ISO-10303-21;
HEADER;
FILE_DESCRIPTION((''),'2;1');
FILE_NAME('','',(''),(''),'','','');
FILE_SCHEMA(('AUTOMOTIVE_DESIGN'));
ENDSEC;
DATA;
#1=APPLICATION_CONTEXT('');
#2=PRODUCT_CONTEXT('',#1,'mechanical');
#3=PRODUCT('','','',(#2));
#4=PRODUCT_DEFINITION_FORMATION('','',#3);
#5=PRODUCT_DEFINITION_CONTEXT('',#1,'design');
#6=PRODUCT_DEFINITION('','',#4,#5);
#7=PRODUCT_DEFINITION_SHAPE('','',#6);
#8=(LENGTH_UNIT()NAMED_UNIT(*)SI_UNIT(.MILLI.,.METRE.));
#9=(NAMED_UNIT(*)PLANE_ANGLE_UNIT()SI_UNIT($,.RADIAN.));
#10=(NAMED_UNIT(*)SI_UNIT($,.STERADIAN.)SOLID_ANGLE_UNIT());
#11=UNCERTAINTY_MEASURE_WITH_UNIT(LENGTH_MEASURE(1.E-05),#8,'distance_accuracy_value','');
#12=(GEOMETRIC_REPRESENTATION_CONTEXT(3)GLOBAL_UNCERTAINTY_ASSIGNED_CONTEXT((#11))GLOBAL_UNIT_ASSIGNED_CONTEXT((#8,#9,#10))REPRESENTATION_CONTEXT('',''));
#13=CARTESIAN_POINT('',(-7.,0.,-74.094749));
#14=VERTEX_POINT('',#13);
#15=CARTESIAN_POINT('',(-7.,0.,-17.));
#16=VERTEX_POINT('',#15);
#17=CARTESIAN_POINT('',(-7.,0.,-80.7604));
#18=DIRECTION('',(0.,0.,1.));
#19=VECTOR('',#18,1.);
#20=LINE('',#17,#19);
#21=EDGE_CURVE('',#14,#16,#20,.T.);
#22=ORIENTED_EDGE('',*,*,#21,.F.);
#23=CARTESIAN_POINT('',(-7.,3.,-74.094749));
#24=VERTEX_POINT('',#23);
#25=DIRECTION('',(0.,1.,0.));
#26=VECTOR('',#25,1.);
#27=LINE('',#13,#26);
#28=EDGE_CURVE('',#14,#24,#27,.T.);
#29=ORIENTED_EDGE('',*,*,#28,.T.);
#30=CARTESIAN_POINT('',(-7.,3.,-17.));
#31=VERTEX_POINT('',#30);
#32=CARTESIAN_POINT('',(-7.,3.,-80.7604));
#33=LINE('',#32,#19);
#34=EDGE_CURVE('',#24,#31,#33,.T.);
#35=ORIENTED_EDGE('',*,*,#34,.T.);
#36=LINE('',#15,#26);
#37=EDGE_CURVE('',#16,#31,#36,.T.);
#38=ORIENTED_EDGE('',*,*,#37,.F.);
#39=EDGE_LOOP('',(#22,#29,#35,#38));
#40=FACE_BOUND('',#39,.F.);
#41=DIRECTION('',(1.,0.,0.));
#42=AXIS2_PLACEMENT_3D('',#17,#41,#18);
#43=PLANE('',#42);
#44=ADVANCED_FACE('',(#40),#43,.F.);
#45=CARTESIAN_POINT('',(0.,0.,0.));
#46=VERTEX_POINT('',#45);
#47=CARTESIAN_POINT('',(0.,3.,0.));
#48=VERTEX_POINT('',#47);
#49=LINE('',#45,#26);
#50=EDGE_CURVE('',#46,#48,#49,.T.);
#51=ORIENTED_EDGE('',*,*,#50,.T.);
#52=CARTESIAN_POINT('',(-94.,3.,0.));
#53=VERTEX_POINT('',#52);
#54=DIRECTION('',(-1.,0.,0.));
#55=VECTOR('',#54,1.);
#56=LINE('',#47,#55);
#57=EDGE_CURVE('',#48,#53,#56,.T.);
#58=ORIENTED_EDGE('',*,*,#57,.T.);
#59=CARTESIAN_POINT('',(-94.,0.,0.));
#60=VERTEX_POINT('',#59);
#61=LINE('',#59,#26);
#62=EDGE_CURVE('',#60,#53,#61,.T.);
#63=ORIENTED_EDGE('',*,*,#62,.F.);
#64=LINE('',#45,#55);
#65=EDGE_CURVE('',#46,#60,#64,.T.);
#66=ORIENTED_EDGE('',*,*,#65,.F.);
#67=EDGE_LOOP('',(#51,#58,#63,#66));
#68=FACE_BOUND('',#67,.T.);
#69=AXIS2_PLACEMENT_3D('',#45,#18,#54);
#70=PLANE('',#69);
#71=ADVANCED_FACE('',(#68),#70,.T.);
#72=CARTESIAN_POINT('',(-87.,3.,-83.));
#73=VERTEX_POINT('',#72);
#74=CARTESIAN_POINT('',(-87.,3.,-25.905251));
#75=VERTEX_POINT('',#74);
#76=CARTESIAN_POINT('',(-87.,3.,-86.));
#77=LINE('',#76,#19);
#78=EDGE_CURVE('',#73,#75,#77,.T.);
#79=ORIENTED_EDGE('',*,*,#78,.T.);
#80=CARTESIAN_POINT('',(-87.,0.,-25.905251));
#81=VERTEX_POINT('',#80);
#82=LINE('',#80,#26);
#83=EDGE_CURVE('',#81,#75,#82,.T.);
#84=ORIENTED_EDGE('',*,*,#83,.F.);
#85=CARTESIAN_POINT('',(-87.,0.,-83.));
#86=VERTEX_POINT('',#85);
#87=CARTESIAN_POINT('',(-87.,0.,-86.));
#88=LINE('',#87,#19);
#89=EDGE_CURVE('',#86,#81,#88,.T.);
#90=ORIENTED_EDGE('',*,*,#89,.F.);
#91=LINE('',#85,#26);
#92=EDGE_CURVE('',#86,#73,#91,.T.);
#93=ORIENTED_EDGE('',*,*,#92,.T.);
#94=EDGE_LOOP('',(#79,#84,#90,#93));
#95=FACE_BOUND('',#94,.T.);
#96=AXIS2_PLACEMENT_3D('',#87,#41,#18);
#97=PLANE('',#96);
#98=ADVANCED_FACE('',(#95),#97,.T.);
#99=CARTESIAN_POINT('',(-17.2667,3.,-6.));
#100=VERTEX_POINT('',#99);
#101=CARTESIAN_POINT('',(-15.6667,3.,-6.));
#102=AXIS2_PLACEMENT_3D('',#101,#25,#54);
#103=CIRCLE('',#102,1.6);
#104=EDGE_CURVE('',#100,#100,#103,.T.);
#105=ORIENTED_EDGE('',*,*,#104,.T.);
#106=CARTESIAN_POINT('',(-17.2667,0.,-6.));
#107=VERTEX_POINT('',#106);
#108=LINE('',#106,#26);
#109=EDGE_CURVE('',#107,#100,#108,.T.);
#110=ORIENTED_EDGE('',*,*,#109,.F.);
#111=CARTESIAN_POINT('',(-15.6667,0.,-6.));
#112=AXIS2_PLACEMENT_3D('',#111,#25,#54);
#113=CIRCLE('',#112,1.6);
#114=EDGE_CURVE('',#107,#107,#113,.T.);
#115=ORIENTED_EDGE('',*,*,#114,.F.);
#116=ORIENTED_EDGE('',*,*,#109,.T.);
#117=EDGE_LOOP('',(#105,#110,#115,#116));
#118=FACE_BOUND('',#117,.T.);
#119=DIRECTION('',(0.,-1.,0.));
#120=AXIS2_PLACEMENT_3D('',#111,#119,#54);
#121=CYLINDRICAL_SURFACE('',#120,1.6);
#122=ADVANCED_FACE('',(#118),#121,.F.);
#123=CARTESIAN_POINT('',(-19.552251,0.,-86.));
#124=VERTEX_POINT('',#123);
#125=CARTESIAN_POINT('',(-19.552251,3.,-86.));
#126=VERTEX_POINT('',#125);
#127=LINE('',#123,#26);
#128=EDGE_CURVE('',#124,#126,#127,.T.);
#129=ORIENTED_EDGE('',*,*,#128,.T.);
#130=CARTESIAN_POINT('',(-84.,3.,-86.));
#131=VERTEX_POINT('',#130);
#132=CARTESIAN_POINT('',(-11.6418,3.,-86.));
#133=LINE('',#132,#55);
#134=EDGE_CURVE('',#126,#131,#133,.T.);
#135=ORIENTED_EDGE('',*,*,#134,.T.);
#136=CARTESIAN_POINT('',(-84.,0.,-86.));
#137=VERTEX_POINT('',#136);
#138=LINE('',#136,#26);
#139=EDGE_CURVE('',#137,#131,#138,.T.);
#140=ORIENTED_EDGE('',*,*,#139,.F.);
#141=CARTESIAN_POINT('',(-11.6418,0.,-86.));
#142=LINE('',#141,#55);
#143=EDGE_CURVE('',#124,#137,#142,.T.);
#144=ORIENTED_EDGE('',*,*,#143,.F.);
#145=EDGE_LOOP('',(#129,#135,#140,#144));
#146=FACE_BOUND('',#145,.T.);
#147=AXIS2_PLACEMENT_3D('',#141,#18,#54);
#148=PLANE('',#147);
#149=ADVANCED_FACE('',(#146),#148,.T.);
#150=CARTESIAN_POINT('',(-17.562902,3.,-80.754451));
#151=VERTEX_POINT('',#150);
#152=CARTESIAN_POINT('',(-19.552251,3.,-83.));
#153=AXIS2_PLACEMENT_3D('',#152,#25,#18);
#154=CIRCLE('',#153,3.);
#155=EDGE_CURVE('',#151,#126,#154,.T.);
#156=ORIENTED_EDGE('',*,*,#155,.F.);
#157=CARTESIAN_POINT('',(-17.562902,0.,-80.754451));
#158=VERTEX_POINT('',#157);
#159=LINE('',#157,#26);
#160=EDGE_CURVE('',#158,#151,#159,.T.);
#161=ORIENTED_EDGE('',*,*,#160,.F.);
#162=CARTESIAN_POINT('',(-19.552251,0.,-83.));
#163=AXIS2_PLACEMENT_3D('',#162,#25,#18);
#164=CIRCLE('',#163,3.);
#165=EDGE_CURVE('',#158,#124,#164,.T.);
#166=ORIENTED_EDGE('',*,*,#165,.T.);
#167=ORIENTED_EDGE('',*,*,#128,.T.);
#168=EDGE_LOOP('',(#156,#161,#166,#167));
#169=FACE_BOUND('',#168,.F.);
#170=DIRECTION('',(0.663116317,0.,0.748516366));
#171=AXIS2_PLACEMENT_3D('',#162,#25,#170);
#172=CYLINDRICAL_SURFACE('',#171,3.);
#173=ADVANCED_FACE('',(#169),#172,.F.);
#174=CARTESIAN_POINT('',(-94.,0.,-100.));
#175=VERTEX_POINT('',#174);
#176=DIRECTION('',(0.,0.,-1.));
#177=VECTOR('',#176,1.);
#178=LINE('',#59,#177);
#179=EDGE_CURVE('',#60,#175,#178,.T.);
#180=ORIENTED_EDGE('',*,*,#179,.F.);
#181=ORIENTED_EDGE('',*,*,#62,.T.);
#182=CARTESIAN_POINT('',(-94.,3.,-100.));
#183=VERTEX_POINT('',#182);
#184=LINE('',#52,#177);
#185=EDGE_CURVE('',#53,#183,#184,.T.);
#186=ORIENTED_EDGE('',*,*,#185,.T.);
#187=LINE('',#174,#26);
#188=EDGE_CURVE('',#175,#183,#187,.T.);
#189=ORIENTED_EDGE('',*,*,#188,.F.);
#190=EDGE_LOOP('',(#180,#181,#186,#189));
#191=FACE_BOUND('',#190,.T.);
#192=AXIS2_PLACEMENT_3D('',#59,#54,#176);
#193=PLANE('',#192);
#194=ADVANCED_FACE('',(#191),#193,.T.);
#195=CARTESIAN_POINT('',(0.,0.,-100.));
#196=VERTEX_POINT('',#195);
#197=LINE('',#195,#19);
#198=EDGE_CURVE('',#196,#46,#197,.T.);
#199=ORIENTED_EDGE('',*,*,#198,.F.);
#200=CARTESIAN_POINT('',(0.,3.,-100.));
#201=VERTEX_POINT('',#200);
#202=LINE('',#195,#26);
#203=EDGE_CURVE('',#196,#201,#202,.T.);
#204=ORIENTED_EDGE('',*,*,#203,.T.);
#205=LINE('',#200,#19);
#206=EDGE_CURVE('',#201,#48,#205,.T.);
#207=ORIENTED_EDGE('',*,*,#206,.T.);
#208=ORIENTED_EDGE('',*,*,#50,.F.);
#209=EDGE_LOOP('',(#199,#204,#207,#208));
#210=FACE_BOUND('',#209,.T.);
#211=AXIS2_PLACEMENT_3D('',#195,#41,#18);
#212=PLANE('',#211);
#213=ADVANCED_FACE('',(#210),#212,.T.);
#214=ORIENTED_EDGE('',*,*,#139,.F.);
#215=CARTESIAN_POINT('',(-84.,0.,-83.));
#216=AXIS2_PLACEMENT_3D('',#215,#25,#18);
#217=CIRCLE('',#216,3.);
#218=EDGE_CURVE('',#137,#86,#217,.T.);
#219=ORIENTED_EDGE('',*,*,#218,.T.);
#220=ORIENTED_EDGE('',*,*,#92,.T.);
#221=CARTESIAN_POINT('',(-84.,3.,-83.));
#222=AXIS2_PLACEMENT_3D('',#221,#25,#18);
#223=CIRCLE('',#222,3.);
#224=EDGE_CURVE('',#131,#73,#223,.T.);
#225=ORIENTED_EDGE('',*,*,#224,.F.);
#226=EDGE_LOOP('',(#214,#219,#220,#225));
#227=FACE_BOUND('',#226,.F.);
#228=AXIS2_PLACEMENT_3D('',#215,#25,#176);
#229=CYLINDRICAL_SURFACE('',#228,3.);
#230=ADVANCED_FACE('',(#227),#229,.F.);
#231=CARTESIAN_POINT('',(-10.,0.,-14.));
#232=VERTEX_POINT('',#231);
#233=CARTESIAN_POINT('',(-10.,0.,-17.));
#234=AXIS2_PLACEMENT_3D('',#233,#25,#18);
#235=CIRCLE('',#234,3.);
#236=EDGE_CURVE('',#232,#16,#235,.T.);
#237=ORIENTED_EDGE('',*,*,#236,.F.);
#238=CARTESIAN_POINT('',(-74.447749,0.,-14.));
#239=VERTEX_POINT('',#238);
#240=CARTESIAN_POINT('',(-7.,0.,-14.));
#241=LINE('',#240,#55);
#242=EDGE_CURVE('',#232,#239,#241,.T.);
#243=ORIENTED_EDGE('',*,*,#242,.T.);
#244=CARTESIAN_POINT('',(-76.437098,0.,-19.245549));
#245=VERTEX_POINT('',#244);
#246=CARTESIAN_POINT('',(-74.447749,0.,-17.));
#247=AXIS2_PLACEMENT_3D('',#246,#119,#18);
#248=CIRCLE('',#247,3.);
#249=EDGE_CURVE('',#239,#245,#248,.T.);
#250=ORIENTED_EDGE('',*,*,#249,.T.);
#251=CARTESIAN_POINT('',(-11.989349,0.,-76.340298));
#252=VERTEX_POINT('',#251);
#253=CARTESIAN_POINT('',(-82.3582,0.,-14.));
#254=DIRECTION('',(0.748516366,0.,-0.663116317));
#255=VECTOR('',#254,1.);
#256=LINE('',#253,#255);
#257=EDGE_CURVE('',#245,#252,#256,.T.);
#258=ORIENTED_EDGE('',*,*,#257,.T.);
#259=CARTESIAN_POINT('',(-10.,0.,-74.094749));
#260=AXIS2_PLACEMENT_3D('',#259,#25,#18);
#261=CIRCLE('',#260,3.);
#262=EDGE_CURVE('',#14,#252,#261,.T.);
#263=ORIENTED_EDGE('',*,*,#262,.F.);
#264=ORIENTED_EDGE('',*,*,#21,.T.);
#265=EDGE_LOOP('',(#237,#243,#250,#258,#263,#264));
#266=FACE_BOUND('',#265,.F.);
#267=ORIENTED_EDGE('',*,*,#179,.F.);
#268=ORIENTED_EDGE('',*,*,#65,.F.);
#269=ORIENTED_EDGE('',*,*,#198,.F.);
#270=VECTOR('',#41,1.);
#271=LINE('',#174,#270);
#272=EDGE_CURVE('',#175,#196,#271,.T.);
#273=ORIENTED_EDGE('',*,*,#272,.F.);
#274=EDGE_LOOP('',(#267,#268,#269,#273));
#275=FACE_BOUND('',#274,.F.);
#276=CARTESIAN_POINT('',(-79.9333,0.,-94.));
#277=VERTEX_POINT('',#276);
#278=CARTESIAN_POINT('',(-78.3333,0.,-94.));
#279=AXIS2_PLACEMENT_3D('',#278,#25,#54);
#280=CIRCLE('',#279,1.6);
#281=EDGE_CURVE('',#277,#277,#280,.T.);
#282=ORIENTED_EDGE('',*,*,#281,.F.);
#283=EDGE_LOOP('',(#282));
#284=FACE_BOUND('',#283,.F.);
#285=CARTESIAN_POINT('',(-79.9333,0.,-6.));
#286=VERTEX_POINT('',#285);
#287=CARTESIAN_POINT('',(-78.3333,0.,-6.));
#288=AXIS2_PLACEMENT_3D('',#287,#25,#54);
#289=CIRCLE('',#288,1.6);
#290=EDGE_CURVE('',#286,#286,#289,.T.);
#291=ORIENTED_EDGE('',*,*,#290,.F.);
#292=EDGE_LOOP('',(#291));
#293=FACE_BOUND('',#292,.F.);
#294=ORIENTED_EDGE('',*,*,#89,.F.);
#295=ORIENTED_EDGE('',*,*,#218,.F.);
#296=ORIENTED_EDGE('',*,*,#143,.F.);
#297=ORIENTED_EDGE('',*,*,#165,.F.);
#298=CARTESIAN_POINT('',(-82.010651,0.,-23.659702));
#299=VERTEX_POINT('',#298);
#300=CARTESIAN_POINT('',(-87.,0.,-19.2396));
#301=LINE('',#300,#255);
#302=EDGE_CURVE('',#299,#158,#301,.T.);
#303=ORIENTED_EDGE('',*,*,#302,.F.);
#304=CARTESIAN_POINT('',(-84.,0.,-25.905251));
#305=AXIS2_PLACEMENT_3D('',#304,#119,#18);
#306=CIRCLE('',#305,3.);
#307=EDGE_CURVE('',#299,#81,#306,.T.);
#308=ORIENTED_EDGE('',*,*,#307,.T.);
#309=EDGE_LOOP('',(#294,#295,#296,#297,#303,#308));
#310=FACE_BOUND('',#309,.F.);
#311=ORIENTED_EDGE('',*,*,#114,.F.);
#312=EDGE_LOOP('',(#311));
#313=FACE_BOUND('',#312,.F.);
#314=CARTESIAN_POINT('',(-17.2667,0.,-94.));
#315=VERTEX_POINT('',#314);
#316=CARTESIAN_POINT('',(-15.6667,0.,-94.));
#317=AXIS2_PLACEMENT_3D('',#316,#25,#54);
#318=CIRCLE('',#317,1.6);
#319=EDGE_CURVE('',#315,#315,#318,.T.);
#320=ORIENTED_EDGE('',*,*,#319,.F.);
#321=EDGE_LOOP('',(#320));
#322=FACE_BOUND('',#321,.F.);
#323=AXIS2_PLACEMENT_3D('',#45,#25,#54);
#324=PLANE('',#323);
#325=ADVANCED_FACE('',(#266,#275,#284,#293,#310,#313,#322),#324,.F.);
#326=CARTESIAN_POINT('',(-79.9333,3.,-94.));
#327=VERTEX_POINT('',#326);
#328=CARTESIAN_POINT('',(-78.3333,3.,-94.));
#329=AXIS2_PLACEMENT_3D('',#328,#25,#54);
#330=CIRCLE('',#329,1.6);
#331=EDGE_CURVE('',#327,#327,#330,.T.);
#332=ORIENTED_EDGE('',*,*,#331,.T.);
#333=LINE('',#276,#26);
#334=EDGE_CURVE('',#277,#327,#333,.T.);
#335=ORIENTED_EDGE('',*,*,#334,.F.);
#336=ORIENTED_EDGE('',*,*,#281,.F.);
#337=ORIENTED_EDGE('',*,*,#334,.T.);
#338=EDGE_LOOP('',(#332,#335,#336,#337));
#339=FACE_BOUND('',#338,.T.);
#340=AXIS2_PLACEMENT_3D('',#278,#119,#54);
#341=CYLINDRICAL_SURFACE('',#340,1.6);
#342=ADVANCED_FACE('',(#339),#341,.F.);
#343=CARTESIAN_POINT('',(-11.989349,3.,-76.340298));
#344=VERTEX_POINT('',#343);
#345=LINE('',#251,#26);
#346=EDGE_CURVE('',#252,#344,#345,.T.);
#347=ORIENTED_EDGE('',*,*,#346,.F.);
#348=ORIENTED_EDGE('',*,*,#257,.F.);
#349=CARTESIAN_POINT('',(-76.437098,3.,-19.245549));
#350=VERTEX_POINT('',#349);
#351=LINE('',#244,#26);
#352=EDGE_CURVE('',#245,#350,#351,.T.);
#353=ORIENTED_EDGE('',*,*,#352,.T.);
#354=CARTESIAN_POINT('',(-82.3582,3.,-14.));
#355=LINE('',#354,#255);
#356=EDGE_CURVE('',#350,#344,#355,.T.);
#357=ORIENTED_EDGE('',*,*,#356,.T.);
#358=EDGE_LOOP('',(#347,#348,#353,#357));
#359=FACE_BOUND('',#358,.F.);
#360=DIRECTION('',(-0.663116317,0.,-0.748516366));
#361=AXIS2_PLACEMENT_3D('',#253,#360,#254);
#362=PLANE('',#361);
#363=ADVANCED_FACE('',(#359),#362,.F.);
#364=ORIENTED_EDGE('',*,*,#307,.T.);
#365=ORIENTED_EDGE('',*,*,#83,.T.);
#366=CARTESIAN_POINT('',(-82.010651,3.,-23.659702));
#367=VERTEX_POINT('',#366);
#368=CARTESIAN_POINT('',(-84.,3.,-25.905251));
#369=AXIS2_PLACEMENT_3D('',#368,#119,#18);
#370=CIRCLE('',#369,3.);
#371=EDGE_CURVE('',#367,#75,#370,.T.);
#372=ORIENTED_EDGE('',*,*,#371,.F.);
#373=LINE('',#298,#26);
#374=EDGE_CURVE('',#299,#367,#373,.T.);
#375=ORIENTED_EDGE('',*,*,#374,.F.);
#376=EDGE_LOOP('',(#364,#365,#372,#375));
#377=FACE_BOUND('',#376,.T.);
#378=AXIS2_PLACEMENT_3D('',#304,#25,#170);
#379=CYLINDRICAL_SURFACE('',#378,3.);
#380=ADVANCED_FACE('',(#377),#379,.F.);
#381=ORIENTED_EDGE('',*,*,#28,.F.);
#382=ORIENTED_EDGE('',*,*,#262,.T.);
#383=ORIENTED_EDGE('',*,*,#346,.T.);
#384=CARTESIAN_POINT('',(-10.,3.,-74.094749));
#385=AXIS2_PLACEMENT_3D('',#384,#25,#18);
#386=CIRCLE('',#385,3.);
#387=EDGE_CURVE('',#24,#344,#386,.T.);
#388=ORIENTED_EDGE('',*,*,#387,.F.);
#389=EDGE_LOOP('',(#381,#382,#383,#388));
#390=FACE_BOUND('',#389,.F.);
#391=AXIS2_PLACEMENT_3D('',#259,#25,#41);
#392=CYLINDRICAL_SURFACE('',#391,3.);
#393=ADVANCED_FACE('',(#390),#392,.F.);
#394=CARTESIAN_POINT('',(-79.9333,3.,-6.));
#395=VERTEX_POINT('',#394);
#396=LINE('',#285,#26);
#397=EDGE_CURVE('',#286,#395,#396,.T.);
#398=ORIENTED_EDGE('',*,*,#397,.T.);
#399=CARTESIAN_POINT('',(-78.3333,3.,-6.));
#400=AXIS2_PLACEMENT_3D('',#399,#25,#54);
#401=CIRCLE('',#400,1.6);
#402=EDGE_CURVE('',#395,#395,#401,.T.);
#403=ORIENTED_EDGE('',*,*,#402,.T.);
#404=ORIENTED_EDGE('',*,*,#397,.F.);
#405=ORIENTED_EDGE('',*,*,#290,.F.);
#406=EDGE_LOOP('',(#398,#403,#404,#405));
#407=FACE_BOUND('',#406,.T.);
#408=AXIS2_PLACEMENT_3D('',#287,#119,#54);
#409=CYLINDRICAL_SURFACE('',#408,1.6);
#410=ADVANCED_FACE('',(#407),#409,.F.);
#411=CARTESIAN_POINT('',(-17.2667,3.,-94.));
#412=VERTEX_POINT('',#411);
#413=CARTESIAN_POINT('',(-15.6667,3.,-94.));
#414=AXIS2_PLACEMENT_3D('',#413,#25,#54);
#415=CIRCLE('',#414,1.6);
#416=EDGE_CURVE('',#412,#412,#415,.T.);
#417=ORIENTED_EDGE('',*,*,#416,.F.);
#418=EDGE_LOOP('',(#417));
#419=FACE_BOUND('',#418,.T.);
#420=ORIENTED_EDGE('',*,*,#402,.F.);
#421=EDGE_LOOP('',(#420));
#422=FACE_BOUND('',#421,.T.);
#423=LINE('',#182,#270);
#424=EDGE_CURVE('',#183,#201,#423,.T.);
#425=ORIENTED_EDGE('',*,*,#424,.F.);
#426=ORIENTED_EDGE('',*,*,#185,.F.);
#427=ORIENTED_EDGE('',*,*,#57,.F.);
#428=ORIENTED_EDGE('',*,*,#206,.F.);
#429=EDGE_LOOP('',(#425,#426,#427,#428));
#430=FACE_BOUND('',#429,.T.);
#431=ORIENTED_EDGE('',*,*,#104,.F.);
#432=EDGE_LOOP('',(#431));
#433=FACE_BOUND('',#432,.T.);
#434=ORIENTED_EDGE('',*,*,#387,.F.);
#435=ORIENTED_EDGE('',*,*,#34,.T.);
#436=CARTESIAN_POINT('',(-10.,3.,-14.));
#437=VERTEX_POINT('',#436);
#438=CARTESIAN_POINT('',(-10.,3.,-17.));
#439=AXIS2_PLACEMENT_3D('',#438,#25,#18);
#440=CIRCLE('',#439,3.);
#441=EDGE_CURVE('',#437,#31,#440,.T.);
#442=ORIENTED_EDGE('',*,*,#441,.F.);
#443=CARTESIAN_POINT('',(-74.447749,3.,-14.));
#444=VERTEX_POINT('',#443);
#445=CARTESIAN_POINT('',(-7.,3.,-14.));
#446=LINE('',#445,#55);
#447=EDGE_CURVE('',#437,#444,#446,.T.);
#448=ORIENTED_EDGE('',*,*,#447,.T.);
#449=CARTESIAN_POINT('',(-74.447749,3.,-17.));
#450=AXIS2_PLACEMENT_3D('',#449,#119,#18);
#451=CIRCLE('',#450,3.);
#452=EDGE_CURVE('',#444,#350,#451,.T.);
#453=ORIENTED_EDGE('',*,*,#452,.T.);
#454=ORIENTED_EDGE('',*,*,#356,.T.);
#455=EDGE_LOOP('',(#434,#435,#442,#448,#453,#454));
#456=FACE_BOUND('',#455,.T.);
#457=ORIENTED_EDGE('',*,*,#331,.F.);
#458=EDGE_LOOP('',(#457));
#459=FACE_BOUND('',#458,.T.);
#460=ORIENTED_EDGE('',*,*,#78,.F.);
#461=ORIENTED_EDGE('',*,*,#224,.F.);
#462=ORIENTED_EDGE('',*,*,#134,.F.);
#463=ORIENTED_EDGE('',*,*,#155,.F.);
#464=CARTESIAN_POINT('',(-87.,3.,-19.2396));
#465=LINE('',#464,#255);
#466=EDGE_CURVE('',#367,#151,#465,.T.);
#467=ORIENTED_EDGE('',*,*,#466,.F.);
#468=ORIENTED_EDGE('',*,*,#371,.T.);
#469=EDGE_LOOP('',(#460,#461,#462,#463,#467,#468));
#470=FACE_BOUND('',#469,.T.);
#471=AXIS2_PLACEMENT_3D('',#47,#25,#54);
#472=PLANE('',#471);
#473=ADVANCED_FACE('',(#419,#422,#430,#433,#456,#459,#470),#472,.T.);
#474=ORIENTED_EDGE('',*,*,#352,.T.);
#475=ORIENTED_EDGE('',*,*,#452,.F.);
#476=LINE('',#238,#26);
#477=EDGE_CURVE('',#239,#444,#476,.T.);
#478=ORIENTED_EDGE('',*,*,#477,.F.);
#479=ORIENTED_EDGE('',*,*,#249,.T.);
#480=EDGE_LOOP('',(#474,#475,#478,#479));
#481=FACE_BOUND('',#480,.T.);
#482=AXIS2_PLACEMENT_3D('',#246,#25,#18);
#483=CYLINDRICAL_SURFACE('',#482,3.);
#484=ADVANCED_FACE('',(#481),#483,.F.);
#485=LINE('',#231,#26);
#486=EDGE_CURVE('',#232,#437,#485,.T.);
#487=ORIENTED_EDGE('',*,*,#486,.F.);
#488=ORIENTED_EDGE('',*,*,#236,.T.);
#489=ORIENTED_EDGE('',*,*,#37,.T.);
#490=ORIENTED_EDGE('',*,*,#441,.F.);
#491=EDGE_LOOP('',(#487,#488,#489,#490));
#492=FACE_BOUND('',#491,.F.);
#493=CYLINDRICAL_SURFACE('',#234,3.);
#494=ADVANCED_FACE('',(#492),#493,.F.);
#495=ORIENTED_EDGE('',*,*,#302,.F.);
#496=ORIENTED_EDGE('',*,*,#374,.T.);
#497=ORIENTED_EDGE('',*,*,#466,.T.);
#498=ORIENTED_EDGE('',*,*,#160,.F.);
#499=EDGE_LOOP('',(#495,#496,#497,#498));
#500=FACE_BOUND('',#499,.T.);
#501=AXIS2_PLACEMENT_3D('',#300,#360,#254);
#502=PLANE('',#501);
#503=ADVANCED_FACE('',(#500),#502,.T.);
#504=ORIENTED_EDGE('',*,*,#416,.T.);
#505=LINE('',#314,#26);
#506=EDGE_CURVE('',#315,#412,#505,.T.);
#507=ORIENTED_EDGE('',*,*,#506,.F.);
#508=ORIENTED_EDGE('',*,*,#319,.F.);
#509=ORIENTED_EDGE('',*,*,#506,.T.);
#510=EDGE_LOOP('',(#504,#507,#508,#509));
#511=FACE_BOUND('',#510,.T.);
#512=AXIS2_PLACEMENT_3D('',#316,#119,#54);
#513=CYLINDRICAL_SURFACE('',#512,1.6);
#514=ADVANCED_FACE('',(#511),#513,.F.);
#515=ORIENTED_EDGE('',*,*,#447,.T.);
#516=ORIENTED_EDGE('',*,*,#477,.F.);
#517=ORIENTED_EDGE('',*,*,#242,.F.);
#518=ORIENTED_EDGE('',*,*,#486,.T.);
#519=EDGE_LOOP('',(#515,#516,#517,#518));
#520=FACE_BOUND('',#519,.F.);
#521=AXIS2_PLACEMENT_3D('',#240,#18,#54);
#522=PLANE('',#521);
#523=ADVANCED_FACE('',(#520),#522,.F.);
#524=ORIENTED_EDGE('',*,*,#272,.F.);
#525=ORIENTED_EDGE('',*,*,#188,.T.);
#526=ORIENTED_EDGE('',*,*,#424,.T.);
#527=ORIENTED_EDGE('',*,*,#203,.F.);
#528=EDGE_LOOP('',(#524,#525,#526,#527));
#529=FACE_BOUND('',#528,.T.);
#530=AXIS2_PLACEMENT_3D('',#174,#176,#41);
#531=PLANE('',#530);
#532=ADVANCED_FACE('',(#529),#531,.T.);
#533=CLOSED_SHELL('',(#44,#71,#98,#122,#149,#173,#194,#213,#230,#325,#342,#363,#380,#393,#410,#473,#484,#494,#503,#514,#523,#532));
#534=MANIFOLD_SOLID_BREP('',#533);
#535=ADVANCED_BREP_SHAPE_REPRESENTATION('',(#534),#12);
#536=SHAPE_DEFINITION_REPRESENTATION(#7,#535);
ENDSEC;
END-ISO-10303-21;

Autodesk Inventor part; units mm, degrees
ref_plane "YZ Plane" through (0, 0, 0) normal (1, 0, 0) x (0, 1, 0)
ref_plane "XZ Plane" through (0, 0, 0) normal (0, 1, 0) x (-1, 0, 0)
ref_plane "XY Plane" through (0, 0, 0) normal (0, 0, 1) x (1, 0, 0)
sketch "Sketch1" plane through (0, 0, 0) normal (0, 1, 0) x (-1, 0, 0)
  line L0 (0, 0) -> (94, 0)
  line L1 (94, -100) -> (0, -100)
  line L2 (0, -100) -> (0, 0)
  line L3 (94, 0) -> (0, 0) construction
  line L4 (0, 0) -> (0, -9) construction
  line L5 (0, -9) -> (94, -9) construction
  line L6 (94, -9) -> (94, 0) construction
  line L7 (0, -100) -> (94, -100) construction
  line L8 (94, -100) -> (94, -91) construction
  line L9 (94, -91) -> (0, -91) construction
  line L10 (0, -91) -> (0, -100) construction
  line L11 (94, 0) -> (94, -100)
  circle A0 centre (78.3333, -6) radius 1.6
  circle A1 centre (15.6667, -6) radius 1.6
  circle A2 centre (78.3333, -94) radius 1.6
  circle A3 centre (15.6667, -94) radius 1.6
  line L12 (82.3582, -14) -> (7, -80.7604)
  line L13 (7, -80.7604) -> (7, -14)
  line L14 (7, -14) -> (82.3582, -14)
  line L15 (87, -19.2396) -> (11.6418, -86)
  line L16 (11.6418, -86) -> (87, -86)
  line L17 (87, -86) -> (87, -19.2396)
  line L18 (82.3582, -14) -> (87, -19.2396) construction
  line L19 (11.6418, -86) -> (7, -80.7604) construction
  dimension "d0" = 100
  dimension "d1" = 9
  dimension "d2" = 3
  dimension "d3" = 3.2
  dimension "d4" = 15.6667
  dimension "d5" = 62.6667
  dimension "d6" = 94
  dimension "d7" = 3
  dimension "d10" = 7
  dimension "d11" = 7
  dimension "d12" = 7
  dimension "d13" = 5
  dimension "d14" = 5
extrude "Extrusion1" add sketch "Sketch1" along normal blind 3
fillet "Fillet1" radius 3 6 edges at (-82.3582, 1.5, -14) (-7, 1.5, -14) (-7, 1.5, -80.7604) (-87, 1.5, -19.2396) (-11.6418, 1.5, -86) (-87, 1.5, -86)
equation "\"d4\" = 0.166667 * d6"
equation "\"d5\" = 4 * d4"
equation "\"d11\" = d10"
equation "\"d12\" = d11"
equation "\"d14\" = d13"
properties part number "FrontPanel"
